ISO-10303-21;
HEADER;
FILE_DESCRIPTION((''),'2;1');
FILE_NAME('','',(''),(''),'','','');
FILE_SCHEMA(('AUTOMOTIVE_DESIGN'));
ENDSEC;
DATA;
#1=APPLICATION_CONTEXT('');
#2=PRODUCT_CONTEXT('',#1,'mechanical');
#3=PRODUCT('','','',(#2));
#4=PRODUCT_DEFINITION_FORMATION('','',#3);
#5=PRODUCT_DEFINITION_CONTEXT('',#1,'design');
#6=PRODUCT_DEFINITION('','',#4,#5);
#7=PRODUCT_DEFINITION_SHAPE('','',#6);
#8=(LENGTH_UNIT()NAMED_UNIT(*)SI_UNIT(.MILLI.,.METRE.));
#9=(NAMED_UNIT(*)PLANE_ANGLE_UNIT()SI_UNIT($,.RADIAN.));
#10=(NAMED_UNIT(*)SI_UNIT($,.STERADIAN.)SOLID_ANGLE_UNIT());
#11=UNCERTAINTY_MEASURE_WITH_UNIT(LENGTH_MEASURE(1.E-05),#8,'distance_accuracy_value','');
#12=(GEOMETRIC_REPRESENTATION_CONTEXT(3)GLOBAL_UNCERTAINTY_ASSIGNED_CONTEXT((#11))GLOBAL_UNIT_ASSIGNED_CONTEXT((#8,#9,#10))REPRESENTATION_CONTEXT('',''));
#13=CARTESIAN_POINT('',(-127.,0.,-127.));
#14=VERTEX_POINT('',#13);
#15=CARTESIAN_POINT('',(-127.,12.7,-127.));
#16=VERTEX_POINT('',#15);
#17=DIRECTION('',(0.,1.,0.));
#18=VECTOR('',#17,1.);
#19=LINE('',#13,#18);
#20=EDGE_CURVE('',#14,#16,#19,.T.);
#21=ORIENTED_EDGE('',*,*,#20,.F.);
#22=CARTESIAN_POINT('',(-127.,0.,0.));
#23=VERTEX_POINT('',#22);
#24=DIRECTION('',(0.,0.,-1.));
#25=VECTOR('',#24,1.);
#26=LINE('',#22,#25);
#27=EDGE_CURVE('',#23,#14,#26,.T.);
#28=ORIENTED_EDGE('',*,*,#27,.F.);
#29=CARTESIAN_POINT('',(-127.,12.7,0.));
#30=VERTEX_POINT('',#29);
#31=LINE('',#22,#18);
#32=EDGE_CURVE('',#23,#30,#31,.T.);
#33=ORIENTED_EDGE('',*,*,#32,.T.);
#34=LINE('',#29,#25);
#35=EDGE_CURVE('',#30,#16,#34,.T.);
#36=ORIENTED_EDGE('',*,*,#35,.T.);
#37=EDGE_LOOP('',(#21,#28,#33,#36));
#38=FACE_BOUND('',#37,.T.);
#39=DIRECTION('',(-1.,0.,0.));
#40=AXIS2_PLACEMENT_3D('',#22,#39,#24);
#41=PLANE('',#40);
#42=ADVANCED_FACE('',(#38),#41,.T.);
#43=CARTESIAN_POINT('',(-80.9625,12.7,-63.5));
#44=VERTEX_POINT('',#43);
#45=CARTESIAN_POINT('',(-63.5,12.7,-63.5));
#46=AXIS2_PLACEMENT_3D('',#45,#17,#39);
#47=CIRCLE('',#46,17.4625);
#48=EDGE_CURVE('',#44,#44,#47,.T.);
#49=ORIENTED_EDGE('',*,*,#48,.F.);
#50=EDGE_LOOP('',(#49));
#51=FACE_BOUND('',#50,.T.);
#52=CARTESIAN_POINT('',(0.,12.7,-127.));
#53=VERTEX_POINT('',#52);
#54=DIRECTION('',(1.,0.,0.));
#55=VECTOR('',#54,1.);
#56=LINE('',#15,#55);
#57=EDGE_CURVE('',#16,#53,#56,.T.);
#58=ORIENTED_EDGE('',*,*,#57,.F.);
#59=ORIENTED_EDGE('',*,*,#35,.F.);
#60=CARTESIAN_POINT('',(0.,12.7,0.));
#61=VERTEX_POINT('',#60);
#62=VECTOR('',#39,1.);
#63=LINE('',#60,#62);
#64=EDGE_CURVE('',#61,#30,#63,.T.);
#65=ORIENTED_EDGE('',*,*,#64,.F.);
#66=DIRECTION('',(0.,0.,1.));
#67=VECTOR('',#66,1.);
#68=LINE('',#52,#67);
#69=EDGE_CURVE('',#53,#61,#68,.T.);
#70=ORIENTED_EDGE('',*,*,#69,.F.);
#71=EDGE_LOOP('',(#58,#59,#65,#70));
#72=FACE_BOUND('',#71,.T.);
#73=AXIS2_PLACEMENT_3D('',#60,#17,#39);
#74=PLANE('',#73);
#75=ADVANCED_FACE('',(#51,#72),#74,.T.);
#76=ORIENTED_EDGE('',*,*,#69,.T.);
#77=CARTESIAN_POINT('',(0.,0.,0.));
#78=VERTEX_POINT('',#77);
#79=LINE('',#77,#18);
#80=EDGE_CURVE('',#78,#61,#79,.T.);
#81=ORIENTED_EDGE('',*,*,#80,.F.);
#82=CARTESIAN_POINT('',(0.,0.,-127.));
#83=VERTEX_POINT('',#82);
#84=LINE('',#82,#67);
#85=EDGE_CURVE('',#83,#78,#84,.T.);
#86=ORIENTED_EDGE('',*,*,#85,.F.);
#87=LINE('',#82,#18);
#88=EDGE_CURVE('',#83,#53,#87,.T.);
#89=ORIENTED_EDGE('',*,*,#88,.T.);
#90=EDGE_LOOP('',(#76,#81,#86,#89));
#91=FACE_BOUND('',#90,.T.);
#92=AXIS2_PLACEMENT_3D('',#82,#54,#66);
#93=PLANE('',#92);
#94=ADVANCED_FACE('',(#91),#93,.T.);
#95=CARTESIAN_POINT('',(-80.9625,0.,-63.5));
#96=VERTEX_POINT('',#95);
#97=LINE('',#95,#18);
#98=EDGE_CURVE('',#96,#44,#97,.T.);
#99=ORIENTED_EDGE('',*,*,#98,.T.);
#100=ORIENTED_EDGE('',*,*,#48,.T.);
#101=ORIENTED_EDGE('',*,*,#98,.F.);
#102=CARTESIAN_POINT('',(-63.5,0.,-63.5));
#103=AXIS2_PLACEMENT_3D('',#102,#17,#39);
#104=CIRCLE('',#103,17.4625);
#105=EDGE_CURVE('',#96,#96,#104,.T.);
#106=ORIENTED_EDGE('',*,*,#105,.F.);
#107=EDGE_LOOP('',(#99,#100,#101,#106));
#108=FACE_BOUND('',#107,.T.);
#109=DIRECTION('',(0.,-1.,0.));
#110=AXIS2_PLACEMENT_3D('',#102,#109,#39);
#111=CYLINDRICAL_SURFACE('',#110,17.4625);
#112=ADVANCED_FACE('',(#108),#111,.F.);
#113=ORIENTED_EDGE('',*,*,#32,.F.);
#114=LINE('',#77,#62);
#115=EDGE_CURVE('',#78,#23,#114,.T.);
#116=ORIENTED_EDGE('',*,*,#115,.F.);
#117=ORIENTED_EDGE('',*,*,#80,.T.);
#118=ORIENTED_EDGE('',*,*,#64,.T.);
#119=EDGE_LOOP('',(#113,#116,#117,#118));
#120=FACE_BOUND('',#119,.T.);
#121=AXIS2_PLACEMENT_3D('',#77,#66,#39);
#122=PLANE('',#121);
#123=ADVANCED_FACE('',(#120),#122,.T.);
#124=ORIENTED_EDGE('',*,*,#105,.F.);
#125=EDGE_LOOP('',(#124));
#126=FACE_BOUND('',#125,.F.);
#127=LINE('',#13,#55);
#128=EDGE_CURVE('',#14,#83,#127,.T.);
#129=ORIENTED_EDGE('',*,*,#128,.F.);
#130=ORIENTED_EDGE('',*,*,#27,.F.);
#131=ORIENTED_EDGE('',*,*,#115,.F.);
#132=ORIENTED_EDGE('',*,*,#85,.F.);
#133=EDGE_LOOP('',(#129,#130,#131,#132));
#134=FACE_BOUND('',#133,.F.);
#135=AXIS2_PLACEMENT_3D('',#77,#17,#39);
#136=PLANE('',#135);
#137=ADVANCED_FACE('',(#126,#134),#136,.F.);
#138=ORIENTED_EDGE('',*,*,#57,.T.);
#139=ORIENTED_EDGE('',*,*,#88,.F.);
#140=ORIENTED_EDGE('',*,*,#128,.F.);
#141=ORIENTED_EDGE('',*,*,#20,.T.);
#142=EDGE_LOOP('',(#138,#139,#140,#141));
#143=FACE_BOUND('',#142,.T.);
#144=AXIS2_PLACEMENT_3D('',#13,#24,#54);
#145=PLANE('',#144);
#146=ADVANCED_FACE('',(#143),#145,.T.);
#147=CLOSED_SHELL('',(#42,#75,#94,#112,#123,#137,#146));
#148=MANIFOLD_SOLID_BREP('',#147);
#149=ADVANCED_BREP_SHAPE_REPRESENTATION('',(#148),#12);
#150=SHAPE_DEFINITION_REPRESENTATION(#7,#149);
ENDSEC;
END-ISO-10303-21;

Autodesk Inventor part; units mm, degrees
ref_plane "YZ Plane" through (0, 0, 0) normal (1, 0, 0) x (0, 1, 0)
ref_plane "XZ Plane" through (0, 0, 0) normal (0, 1, 0) x (-1, 0, 0)
ref_plane "XY Plane" through (0, 0, 0) normal (0, 0, 1) x (1, 0, 0)
sketch "Sketch1" plane through (0, 0, 0) normal (0, 1, 0) x (-1, 0, 0)
  line L0 (0, 0) -> (127, 0)
  line L1 (127, 0) -> (127, -127)
  line L2 (127, -127) -> (0, -127)
  line L3 (0, -127) -> (0, 0)
  circle A0 centre (63.5, -63.5) radius 17.4625
  dimension "d0" = 127
  dimension "d1" = 127
  dimension "d2" = 34.925
extrude "Extrusion1" add sketch "Sketch1" along normal blind 12.7
equation "\"d1\" = d0"
properties part number "base"
